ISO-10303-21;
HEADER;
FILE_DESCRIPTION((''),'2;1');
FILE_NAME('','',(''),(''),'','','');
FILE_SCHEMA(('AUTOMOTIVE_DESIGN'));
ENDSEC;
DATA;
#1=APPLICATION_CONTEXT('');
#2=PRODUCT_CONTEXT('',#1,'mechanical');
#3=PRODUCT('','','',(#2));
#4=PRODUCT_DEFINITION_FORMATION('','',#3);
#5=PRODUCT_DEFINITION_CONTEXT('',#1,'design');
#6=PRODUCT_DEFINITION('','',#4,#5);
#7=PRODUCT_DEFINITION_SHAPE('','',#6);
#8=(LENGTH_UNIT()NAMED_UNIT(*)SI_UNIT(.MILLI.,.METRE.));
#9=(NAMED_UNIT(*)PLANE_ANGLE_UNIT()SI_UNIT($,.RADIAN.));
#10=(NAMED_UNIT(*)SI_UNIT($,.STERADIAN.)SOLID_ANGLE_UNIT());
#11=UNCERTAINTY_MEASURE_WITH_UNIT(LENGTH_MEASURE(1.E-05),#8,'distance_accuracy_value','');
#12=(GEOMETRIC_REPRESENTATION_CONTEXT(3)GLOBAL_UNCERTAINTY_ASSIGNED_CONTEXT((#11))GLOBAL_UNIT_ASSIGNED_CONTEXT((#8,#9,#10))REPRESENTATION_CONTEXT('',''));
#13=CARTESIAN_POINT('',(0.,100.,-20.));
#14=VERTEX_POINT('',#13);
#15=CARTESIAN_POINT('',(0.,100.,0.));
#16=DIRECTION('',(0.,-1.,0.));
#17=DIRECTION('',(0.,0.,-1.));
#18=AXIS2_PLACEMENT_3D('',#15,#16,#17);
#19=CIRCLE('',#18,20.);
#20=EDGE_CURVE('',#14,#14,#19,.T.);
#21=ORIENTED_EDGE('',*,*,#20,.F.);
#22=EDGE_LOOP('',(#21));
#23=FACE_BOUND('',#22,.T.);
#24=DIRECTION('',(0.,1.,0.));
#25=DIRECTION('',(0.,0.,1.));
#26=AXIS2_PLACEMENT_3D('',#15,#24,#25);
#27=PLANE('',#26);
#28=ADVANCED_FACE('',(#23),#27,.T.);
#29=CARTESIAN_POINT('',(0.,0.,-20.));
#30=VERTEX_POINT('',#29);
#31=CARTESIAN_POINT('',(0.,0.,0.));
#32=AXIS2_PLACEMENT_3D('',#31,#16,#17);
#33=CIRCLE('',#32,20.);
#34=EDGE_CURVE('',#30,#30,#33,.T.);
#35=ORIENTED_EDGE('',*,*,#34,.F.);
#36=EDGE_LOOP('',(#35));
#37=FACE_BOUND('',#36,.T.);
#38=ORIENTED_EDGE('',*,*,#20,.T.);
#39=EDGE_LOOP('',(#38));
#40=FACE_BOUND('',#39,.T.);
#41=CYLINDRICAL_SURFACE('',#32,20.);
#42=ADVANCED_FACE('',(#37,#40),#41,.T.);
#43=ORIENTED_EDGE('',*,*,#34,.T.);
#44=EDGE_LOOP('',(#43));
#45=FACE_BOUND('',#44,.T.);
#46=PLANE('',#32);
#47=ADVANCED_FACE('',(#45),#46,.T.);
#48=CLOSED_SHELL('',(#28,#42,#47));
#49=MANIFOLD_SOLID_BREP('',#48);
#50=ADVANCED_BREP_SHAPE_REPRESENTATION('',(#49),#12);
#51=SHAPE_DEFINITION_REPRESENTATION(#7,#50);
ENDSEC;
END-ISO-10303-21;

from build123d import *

# Parameters (mm, degrees)
SKETCH1_W = 20
SKETCH1_H = 100


with BuildPart() as part:
    # Sketch1 → Revolve1 (revolve)
    with BuildSketch(Plane.XY, mode=Mode.PRIVATE) as revolve1_sk:
        with Locations((10, 50)):
            Rectangle(SKETCH1_W, SKETCH1_H)
    revolve(revolve1_sk.sketch.rotate(Axis((0, 0, 0), (0, 1, 0)), 90), axis=Axis((0, 0, 0), (0, 1, 0)))  # turned: the seam where the file's is


solid = part.part
